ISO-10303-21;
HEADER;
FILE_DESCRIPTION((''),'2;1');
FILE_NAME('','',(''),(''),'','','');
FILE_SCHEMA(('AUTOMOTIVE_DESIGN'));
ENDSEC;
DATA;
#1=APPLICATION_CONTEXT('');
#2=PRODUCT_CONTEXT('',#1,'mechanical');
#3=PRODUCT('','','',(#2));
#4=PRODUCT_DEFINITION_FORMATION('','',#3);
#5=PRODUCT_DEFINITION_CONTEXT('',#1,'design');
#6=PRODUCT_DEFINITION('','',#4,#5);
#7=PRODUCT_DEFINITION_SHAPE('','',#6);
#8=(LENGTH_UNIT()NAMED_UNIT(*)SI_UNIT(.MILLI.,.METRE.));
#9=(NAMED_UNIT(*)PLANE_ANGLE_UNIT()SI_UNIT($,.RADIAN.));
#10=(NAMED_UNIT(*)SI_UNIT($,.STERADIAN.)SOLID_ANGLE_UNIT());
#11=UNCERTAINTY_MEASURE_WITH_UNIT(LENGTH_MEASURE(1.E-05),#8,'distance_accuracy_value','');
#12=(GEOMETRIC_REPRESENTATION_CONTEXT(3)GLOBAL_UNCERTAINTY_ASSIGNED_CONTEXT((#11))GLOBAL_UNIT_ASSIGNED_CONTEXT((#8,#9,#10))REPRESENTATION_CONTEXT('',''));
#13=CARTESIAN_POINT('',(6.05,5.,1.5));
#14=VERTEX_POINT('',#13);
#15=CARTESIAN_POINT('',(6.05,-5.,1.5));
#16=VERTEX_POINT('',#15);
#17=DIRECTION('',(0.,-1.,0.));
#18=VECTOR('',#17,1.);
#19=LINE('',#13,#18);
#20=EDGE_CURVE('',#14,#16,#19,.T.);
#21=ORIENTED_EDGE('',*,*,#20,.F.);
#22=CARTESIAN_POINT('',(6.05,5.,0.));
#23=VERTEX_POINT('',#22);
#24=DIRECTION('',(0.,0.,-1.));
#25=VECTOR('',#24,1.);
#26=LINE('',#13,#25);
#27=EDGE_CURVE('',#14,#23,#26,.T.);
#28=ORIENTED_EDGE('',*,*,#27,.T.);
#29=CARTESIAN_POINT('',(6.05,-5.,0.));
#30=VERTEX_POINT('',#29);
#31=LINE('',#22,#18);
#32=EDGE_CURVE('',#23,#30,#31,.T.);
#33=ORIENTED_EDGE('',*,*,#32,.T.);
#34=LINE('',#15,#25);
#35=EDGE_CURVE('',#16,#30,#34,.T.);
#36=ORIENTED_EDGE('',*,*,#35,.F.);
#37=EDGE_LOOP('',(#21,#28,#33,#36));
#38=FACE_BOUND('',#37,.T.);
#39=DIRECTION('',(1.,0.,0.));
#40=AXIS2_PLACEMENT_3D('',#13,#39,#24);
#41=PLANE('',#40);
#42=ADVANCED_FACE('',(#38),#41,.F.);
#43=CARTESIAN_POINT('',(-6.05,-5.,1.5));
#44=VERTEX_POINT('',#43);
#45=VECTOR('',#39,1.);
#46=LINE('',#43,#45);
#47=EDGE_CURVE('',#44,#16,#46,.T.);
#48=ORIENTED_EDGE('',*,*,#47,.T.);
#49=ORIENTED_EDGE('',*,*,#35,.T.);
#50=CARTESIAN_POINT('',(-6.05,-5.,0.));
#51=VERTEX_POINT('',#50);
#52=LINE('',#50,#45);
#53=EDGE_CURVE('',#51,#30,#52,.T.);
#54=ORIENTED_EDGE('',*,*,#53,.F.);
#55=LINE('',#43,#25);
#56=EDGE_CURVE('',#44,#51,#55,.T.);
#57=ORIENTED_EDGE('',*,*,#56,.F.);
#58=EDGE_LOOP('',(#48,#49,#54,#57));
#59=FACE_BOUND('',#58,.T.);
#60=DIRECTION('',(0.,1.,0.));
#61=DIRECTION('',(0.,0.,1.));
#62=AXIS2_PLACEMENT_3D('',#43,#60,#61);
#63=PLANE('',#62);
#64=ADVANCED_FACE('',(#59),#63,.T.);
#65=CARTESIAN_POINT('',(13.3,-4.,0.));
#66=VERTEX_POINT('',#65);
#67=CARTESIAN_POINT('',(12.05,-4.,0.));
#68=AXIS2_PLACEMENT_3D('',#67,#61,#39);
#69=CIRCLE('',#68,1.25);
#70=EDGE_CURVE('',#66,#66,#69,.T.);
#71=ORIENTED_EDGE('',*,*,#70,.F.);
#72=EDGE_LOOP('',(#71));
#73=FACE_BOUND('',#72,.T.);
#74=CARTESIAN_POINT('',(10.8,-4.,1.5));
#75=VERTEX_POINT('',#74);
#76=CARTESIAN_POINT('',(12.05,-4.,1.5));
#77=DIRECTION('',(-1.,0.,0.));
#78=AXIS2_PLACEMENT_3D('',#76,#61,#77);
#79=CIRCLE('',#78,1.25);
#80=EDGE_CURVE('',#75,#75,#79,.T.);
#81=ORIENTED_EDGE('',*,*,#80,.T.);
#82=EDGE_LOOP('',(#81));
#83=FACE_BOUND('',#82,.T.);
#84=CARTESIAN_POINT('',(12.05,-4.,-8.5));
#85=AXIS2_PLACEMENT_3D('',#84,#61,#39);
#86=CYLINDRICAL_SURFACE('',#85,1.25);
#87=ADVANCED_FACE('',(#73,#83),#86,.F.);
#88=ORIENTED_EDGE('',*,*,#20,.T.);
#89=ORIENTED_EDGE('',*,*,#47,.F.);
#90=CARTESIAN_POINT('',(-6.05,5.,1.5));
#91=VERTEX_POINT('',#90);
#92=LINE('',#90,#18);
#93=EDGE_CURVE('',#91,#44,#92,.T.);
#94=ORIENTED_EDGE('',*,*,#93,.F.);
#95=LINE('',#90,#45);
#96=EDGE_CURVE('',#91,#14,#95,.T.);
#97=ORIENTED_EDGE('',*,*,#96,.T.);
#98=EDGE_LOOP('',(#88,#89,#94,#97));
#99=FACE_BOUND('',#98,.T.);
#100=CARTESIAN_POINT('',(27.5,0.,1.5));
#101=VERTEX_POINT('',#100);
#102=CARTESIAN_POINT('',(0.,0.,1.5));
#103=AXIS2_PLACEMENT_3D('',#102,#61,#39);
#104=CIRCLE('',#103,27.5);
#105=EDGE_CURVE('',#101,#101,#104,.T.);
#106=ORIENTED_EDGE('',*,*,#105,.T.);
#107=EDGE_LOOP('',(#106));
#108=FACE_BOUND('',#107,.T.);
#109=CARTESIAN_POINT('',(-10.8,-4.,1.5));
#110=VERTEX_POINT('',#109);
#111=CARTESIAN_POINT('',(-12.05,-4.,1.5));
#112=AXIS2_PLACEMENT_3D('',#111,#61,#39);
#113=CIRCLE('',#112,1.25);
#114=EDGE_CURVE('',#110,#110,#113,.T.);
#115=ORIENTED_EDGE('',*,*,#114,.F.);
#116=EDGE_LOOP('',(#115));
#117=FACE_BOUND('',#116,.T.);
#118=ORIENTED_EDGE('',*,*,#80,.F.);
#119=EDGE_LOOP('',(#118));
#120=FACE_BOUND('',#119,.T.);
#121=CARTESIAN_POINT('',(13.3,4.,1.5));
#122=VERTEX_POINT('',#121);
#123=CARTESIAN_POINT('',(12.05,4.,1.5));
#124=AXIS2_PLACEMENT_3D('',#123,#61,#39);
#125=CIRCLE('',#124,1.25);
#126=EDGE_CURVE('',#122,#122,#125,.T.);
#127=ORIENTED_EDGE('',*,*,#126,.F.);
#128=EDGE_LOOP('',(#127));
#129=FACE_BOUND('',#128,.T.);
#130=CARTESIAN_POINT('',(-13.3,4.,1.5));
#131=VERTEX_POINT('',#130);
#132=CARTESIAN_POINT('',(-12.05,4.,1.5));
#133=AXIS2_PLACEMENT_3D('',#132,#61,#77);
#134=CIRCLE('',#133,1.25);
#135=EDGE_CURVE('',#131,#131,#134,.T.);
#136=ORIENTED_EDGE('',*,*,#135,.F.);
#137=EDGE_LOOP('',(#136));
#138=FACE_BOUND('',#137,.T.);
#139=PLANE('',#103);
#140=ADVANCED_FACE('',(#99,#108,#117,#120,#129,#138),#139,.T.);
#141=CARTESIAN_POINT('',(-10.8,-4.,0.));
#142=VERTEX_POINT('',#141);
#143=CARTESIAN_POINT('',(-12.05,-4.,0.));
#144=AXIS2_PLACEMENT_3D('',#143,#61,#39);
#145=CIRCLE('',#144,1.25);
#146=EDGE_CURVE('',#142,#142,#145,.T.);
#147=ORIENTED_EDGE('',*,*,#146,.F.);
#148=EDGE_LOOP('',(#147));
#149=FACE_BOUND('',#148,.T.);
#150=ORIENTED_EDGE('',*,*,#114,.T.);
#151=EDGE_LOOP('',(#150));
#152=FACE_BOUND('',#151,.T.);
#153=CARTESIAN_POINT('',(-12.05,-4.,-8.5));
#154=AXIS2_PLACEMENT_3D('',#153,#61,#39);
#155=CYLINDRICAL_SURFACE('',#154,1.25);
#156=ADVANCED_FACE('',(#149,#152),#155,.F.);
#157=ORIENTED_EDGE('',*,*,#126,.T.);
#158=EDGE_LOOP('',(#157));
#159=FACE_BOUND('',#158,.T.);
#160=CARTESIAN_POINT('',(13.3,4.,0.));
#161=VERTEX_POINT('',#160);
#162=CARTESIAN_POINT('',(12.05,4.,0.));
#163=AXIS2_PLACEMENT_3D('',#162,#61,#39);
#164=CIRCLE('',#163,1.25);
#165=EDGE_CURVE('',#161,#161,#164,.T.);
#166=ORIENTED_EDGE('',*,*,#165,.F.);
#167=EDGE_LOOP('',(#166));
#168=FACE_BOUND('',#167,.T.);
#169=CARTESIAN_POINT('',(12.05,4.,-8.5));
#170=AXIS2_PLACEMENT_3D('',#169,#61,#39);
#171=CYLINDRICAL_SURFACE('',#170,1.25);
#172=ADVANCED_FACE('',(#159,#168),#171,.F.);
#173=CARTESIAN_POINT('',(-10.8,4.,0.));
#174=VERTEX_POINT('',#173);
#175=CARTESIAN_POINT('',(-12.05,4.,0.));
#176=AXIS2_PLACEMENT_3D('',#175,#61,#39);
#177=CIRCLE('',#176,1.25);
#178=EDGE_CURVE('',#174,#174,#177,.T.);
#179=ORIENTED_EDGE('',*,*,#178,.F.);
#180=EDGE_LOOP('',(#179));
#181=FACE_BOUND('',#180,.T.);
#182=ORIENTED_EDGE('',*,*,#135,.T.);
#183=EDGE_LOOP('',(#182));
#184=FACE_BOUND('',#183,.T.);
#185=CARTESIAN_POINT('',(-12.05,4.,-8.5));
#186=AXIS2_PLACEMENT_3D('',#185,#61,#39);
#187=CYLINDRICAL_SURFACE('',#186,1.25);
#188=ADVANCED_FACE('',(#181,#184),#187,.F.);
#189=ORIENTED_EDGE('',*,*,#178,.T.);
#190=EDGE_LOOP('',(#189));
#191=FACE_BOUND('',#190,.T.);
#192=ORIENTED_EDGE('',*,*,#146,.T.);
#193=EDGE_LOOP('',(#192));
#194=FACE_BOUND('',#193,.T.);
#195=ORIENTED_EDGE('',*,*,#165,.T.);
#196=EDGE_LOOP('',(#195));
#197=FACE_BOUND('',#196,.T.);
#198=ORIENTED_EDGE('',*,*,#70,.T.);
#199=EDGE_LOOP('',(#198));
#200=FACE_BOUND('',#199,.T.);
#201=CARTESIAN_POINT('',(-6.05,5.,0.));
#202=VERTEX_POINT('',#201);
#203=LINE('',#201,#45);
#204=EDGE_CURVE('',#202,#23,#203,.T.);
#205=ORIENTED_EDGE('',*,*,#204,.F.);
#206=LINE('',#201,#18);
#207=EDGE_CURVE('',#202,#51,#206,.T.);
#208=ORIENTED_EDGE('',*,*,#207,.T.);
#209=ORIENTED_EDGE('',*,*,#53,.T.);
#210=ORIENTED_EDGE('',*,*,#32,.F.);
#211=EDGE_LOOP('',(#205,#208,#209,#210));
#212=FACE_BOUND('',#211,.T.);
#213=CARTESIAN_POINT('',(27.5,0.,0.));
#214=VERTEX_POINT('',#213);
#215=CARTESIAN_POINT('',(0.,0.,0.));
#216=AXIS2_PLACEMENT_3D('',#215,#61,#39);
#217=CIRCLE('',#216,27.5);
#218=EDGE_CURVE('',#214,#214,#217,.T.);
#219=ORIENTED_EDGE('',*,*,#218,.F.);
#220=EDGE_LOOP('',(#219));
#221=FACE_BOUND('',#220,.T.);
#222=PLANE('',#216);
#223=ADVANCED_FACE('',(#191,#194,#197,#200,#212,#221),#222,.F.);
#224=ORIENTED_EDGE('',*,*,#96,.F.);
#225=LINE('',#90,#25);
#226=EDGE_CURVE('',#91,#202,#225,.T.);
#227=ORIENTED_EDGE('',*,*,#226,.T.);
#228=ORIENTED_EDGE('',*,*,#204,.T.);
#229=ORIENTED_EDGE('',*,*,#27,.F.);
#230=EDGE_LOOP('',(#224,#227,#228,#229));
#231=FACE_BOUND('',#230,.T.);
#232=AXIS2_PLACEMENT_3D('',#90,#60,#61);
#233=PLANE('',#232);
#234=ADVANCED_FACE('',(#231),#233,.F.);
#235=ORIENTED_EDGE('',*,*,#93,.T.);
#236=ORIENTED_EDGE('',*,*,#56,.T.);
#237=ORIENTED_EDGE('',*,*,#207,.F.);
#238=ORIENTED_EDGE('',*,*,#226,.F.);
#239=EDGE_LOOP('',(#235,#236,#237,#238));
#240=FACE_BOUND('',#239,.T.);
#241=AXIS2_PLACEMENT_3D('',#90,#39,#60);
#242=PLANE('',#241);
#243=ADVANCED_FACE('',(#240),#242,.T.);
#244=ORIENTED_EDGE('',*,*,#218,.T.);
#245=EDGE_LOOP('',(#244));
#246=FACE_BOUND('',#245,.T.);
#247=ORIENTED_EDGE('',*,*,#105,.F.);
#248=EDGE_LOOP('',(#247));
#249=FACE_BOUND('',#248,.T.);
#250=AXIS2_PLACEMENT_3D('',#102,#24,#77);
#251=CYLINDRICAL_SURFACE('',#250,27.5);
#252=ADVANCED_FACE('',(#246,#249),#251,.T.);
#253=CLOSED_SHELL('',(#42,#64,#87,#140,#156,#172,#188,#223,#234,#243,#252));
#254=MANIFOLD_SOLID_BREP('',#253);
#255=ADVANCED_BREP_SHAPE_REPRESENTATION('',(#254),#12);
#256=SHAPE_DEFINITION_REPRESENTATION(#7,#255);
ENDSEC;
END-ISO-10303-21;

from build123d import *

# Parameters (mm, degrees)
SKETCH_2_R          = 27.5
SKETCH_2_W          = 12.1
SKETCH_2_H          = 10
EXTRUDE_2_DEPTH     = 1.5
SKETCH_3_R          = 1.25
CUT_EXTRUDE_1_DEPTH = 10


with BuildPart() as part:
    # 草图2 → 凸台-拉伸2 (new body)
    with BuildSketch(Plane.XY):
        Circle(SKETCH_2_R)
        Rectangle(SKETCH_2_W, SKETCH_2_H, mode=Mode.SUBTRACT)
    extrude(amount=EXTRUDE_2_DEPTH)

    # 草图3 → 切除-拉伸1 (cut)
    with BuildSketch(Plane.XY.offset(1.5)):
        with Locations((12.05, 4)):
            Circle(SKETCH_3_R)
        with Locations((-12.05, 4)):
            Circle(SKETCH_3_R)
        with Locations((12.05, -4)):
            Circle(SKETCH_3_R)
        with Locations((-12.05, -4)):
            Circle(SKETCH_3_R)
    extrude(amount=-CUT_EXTRUDE_1_DEPTH, mode=Mode.SUBTRACT)


solid = part.part
